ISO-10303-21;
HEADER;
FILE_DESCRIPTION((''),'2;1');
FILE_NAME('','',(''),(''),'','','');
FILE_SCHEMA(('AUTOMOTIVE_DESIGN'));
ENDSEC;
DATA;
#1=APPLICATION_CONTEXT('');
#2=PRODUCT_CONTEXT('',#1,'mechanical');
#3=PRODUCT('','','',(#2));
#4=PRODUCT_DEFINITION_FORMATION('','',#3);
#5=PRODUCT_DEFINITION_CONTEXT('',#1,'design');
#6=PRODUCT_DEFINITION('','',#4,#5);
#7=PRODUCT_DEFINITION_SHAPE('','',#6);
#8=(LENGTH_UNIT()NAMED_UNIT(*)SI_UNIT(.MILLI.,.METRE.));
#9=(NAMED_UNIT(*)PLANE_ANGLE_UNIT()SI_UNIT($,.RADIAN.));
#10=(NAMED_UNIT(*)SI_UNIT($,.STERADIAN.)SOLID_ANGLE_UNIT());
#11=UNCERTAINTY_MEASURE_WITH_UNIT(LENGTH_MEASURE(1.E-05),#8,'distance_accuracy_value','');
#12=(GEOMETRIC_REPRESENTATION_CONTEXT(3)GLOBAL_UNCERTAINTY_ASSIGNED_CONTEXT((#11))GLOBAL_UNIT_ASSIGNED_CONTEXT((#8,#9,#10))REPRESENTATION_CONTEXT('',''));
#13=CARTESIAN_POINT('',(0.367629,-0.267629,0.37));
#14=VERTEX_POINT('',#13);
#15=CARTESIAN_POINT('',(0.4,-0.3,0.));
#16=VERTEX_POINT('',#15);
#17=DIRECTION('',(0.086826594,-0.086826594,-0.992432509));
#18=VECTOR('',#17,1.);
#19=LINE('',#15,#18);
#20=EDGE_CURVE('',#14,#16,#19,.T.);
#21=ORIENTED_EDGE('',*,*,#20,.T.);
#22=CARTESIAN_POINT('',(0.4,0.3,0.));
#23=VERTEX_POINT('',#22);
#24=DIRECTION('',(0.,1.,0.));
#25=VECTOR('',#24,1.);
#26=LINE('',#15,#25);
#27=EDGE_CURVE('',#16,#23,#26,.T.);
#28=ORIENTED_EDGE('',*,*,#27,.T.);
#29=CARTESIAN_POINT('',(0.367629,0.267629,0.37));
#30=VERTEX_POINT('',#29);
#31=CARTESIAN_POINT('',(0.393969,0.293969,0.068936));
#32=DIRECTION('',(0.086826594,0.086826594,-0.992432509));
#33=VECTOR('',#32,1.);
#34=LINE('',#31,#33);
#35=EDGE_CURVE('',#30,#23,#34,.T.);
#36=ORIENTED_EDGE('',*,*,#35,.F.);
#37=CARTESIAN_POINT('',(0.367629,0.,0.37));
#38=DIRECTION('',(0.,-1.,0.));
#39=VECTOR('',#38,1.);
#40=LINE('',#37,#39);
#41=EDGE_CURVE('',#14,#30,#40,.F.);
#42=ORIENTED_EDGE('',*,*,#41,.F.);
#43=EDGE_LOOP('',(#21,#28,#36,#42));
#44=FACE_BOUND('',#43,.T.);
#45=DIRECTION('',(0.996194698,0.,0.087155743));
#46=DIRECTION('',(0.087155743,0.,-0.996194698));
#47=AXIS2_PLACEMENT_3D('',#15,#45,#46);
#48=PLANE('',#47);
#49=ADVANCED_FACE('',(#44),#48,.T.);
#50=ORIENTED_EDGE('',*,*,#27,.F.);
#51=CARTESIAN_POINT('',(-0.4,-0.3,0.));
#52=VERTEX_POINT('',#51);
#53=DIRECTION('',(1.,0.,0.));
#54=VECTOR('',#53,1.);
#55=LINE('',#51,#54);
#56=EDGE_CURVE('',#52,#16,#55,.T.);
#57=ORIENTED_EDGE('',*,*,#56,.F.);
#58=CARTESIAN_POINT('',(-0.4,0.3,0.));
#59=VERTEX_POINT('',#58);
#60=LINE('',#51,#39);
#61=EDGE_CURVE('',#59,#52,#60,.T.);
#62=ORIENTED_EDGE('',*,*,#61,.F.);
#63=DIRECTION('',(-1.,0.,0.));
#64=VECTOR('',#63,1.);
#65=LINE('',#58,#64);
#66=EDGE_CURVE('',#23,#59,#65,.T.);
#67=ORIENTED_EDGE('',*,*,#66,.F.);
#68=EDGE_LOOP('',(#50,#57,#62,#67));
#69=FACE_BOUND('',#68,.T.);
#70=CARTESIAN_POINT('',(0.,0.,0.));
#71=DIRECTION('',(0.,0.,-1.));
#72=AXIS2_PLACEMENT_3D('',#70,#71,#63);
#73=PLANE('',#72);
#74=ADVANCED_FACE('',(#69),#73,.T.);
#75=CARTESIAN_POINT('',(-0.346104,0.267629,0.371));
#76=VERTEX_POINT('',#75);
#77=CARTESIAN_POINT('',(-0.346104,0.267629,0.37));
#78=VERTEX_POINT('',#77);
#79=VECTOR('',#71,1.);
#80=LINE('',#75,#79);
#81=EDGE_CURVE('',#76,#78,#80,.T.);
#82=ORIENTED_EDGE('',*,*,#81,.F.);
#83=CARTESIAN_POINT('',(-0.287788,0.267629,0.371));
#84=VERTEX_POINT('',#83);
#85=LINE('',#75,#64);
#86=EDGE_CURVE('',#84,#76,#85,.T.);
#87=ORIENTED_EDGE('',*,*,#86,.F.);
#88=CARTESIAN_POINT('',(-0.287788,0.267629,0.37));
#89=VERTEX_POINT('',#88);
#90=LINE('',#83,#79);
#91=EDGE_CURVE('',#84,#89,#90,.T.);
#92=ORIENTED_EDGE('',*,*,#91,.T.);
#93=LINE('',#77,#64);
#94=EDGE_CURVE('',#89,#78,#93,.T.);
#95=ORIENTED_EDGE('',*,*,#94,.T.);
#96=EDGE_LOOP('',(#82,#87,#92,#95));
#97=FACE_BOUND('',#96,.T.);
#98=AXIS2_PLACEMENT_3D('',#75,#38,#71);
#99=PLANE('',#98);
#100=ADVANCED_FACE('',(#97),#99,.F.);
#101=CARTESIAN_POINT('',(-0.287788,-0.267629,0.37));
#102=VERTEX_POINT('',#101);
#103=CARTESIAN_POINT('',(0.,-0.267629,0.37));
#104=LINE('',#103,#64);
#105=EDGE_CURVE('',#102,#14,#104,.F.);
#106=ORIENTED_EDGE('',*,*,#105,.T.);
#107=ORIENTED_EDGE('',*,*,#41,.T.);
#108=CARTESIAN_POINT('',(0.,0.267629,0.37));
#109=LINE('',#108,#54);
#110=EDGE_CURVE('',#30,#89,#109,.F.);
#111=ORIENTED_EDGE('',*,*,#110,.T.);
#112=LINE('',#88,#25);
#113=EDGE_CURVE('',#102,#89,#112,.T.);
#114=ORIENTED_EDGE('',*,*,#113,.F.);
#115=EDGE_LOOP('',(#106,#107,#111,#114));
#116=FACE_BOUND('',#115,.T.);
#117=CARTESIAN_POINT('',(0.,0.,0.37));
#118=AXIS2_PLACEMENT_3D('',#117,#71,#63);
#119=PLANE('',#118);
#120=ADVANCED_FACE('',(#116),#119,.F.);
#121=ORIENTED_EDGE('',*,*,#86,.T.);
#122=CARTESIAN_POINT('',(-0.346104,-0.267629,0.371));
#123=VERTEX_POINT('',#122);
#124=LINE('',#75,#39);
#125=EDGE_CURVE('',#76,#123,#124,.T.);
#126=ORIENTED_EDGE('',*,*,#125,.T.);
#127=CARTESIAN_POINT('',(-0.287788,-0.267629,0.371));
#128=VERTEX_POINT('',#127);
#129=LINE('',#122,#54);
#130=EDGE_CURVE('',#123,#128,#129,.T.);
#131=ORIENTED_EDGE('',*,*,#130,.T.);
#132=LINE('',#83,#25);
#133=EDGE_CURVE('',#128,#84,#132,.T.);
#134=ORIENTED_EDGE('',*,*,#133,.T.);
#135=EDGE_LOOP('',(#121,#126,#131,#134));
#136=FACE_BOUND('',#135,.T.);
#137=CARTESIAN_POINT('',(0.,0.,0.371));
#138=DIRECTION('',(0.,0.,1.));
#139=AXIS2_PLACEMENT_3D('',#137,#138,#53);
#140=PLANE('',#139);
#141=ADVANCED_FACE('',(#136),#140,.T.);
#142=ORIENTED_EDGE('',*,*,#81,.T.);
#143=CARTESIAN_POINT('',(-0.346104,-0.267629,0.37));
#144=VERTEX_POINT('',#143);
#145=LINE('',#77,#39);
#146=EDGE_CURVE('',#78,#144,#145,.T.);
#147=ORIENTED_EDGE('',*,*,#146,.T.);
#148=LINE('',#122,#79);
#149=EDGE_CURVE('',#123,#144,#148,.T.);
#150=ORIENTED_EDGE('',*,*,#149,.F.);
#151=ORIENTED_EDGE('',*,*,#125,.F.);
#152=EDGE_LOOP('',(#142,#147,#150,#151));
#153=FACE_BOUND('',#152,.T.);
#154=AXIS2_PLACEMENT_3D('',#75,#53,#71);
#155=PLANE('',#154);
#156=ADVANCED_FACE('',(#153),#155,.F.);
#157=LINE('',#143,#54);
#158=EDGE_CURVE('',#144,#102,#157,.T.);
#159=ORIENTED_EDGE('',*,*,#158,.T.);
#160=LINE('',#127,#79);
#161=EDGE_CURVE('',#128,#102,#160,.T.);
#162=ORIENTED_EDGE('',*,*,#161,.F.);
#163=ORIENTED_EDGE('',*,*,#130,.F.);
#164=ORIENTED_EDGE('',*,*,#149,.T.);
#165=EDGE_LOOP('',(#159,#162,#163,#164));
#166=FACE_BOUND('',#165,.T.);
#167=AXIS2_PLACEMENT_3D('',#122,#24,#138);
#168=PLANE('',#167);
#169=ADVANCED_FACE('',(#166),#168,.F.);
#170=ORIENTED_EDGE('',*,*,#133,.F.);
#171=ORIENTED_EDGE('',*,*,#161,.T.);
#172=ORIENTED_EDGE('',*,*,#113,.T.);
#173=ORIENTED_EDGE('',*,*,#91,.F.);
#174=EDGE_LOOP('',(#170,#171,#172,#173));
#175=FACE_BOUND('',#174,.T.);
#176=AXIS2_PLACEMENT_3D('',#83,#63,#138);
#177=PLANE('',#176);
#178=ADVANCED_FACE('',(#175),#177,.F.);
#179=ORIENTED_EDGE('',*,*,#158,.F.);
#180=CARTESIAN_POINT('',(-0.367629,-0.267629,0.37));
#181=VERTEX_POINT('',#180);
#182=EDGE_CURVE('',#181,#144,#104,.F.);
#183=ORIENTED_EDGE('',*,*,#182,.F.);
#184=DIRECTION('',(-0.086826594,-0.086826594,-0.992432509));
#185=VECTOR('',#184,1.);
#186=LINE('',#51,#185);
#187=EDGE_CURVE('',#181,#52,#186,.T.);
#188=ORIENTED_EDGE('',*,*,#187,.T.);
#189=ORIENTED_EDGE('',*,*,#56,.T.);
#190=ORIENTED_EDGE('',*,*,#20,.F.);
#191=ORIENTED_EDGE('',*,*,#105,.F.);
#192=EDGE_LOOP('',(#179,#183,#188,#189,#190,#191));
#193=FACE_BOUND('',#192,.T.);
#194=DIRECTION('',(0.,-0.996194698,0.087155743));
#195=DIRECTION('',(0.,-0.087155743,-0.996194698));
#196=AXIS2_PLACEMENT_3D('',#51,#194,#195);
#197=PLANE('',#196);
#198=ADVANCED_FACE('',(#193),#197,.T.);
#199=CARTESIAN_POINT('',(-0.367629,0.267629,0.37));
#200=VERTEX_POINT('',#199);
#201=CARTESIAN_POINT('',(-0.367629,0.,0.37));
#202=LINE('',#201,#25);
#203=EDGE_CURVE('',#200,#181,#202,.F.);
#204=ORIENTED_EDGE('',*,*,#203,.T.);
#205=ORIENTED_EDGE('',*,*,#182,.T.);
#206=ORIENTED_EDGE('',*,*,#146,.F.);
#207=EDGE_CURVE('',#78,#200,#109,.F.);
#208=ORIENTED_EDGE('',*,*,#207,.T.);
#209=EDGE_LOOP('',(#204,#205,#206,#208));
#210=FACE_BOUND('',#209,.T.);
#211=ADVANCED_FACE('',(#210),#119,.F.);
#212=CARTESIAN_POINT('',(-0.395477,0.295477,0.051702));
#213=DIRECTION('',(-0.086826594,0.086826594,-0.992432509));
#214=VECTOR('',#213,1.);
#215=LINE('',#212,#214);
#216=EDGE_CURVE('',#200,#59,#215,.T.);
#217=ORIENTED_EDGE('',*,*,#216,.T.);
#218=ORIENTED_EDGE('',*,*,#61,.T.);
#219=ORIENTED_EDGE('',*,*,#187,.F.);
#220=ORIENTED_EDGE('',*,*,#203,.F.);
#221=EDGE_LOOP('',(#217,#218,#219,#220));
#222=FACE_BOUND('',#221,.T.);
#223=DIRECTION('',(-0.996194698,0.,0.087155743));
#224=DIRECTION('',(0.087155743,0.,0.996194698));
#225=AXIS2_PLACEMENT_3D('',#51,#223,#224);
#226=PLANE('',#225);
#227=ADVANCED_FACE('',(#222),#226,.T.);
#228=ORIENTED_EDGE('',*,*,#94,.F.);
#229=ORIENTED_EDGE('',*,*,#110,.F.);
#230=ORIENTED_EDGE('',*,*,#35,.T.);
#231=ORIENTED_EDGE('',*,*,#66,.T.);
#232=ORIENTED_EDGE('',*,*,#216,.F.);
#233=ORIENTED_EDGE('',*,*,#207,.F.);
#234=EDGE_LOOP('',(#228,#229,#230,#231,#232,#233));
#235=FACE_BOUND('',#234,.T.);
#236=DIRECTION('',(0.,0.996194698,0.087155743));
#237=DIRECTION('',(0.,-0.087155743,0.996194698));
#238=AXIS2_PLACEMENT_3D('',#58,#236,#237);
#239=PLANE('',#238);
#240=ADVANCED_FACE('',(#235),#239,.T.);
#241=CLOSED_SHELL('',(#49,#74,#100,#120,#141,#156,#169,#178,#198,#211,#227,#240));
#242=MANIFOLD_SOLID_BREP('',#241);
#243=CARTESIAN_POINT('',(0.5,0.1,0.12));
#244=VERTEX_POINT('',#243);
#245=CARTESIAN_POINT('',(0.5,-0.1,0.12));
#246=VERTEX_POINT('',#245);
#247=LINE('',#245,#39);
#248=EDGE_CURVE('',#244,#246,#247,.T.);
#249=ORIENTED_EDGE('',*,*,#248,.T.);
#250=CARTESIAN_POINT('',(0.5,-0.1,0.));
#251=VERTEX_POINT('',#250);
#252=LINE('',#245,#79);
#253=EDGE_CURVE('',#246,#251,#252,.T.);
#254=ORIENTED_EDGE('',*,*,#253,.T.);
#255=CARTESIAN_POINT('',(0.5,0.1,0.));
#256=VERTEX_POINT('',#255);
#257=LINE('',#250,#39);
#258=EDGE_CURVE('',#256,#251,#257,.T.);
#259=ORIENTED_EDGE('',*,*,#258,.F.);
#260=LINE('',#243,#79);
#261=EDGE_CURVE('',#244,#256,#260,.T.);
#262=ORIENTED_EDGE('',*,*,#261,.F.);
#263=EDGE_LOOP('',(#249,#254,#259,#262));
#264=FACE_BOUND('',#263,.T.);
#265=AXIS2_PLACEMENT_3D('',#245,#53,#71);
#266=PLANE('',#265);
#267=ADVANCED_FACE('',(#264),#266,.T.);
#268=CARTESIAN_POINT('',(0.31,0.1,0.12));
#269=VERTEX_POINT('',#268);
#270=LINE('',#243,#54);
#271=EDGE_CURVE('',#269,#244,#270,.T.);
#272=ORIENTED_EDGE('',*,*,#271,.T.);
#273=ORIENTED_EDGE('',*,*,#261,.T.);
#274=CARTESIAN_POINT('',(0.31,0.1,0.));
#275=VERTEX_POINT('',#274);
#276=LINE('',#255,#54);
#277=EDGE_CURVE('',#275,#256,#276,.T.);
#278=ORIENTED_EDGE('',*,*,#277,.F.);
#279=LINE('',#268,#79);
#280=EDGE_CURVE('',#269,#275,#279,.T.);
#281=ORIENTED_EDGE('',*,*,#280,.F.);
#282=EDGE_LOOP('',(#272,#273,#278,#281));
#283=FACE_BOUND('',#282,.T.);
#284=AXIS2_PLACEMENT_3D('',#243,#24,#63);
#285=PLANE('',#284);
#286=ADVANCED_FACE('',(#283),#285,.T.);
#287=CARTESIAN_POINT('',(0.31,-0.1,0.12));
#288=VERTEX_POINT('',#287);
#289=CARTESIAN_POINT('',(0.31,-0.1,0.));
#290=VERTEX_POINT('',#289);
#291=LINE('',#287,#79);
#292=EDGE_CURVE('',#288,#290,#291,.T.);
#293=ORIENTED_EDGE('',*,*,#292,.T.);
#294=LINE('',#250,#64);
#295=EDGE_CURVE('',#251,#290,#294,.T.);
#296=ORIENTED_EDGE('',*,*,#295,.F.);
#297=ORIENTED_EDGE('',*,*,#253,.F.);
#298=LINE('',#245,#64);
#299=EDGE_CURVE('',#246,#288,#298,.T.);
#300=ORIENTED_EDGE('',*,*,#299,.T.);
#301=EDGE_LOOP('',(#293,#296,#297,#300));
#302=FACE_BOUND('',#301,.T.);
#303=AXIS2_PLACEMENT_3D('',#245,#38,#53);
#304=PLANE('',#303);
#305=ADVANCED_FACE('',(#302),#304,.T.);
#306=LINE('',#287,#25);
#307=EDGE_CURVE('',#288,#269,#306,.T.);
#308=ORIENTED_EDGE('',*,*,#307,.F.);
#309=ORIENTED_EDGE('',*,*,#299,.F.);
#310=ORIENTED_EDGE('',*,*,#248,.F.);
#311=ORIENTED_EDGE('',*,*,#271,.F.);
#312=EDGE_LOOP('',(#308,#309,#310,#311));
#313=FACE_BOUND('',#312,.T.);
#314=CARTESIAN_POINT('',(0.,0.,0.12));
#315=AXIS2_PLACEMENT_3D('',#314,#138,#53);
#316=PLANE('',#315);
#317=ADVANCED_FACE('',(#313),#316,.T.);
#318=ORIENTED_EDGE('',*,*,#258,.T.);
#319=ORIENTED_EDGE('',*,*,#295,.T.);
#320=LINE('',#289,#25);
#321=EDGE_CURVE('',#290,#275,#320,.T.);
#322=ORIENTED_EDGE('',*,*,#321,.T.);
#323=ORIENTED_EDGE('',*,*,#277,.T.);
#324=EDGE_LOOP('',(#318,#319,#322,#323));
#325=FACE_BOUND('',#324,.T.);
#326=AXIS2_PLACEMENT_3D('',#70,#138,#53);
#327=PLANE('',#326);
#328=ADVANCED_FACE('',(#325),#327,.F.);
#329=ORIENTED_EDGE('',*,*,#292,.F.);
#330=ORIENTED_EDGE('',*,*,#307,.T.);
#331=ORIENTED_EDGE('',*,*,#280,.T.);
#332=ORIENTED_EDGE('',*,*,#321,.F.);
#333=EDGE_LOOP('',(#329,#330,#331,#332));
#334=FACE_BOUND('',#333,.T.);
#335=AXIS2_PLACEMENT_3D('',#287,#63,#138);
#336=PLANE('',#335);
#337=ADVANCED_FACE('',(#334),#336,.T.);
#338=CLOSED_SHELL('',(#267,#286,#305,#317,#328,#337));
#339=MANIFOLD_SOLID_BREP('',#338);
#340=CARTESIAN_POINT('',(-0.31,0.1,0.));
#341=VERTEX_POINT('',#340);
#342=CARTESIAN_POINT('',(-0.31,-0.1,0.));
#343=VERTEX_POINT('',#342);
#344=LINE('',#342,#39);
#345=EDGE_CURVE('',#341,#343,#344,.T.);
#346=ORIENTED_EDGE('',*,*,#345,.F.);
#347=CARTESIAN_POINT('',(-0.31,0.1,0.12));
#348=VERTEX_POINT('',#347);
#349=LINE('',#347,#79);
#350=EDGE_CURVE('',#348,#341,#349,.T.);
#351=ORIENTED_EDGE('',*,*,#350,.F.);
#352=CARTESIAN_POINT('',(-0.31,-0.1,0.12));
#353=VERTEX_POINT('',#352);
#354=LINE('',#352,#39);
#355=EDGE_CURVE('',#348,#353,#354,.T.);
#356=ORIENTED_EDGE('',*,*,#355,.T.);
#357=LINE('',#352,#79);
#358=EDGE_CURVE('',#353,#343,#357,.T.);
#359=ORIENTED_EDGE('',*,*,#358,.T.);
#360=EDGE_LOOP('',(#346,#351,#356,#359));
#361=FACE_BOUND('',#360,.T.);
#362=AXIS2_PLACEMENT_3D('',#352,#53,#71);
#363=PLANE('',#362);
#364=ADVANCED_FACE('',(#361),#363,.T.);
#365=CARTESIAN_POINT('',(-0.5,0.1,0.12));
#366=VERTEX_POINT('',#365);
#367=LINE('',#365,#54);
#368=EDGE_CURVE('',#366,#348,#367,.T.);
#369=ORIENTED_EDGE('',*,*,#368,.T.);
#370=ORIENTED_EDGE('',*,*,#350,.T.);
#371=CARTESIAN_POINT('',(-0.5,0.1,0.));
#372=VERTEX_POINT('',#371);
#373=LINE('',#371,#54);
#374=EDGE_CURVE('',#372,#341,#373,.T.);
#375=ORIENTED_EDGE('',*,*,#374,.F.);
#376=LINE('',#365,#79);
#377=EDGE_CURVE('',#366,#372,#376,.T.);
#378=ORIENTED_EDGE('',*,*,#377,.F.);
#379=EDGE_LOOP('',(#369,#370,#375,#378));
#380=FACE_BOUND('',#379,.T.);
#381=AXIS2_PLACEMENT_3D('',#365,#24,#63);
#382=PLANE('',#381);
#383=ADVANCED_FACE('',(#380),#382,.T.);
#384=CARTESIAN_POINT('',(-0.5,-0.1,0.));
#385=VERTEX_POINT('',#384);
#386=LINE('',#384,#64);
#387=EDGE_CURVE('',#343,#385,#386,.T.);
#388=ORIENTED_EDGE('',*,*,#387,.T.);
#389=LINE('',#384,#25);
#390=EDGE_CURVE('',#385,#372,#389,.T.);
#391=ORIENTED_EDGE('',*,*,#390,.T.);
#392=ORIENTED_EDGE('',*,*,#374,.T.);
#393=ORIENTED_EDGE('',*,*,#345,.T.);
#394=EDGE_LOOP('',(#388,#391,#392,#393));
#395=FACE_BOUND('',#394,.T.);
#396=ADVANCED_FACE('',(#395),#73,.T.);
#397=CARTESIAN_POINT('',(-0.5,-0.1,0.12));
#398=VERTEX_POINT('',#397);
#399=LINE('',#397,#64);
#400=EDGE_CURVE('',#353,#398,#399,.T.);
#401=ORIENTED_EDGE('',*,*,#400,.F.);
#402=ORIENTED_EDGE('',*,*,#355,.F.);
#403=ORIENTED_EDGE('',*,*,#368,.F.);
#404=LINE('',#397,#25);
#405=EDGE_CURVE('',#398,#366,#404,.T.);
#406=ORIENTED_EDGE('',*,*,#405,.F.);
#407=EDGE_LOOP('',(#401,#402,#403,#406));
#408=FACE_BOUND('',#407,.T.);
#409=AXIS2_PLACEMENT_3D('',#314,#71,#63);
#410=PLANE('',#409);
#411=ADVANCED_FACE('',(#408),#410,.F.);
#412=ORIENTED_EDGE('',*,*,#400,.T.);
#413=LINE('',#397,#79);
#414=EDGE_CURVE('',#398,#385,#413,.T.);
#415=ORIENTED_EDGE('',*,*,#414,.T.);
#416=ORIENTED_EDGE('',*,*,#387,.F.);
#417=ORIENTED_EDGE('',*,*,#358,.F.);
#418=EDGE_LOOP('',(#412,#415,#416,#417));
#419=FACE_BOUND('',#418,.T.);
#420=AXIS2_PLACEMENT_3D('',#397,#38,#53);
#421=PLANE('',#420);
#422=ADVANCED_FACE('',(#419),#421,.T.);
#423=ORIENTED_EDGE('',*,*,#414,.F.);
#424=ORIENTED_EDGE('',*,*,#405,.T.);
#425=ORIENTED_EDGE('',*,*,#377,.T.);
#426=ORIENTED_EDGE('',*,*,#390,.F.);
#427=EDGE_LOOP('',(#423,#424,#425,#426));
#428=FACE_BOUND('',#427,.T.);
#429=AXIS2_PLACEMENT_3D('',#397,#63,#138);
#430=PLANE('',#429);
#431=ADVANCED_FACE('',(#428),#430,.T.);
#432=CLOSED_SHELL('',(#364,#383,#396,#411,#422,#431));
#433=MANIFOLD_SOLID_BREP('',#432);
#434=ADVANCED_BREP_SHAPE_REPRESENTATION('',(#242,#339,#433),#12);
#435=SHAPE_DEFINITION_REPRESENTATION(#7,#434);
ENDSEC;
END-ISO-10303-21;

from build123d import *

# Parameters (mm, degrees)
SKETCH1_W             = 0.8
SKETCH1_H             = 0.6
BOSS_EXTRUDE1_DEPTH   = 0.37
BOSS_EXTRUDE1_TAPER   = 5
SKETCH2_W             = 0.19
SKETCH2_H             = 0.2
BOSS_EXTRUDE2_DEPTH   = 0.12
BOSS_EXTRUDE2_2_DEPTH = 0.12
SKETCH3_W             = 0.058316593
SKETCH3_H             = 0.535258388
BOSS_EXTRUDE3_DEPTH   = 0.001


with BuildPart() as part:
    # Sketch1 → Boss-Extrude1 (new body)
    with BuildSketch(Plane.XY):
        Rectangle(SKETCH1_W, SKETCH1_H)
    extrude(amount=BOSS_EXTRUDE1_DEPTH, taper=BOSS_EXTRUDE1_TAPER)

    # Sketch3 → Boss-Extrude3 (add)
    with BuildSketch(Plane.XY.offset(0.37)):
        with Locations((-0.316946175, 0)):
            Rectangle(SKETCH3_W, SKETCH3_H)
    extrude(amount=BOSS_EXTRUDE3_DEPTH)


with BuildPart() as body_2:
    # Sketch2 → Boss-Extrude2 (new body)
    with BuildSketch(Plane(origin=(0, 0, 0), x_dir=(-1, 0, 0), z_dir=(0, 0, -1))):
        with Locations((0.405, 0)):
            Rectangle(SKETCH2_W, SKETCH2_H)
    extrude(amount=-BOSS_EXTRUDE2_DEPTH)


with BuildPart() as body_3:
    # Sketch2 → Boss-Extrude2 2 (new body)
    with BuildSketch(Plane(origin=(0, 0, 0), x_dir=(-1, 0, 0), z_dir=(0, 0, -1))):
        with Locations((-0.405, 0)):
            Rectangle(SKETCH2_W, SKETCH2_H)
    extrude(amount=-BOSS_EXTRUDE2_2_DEPTH)


solid = Compound([part.part, body_2.part, body_3.part])
